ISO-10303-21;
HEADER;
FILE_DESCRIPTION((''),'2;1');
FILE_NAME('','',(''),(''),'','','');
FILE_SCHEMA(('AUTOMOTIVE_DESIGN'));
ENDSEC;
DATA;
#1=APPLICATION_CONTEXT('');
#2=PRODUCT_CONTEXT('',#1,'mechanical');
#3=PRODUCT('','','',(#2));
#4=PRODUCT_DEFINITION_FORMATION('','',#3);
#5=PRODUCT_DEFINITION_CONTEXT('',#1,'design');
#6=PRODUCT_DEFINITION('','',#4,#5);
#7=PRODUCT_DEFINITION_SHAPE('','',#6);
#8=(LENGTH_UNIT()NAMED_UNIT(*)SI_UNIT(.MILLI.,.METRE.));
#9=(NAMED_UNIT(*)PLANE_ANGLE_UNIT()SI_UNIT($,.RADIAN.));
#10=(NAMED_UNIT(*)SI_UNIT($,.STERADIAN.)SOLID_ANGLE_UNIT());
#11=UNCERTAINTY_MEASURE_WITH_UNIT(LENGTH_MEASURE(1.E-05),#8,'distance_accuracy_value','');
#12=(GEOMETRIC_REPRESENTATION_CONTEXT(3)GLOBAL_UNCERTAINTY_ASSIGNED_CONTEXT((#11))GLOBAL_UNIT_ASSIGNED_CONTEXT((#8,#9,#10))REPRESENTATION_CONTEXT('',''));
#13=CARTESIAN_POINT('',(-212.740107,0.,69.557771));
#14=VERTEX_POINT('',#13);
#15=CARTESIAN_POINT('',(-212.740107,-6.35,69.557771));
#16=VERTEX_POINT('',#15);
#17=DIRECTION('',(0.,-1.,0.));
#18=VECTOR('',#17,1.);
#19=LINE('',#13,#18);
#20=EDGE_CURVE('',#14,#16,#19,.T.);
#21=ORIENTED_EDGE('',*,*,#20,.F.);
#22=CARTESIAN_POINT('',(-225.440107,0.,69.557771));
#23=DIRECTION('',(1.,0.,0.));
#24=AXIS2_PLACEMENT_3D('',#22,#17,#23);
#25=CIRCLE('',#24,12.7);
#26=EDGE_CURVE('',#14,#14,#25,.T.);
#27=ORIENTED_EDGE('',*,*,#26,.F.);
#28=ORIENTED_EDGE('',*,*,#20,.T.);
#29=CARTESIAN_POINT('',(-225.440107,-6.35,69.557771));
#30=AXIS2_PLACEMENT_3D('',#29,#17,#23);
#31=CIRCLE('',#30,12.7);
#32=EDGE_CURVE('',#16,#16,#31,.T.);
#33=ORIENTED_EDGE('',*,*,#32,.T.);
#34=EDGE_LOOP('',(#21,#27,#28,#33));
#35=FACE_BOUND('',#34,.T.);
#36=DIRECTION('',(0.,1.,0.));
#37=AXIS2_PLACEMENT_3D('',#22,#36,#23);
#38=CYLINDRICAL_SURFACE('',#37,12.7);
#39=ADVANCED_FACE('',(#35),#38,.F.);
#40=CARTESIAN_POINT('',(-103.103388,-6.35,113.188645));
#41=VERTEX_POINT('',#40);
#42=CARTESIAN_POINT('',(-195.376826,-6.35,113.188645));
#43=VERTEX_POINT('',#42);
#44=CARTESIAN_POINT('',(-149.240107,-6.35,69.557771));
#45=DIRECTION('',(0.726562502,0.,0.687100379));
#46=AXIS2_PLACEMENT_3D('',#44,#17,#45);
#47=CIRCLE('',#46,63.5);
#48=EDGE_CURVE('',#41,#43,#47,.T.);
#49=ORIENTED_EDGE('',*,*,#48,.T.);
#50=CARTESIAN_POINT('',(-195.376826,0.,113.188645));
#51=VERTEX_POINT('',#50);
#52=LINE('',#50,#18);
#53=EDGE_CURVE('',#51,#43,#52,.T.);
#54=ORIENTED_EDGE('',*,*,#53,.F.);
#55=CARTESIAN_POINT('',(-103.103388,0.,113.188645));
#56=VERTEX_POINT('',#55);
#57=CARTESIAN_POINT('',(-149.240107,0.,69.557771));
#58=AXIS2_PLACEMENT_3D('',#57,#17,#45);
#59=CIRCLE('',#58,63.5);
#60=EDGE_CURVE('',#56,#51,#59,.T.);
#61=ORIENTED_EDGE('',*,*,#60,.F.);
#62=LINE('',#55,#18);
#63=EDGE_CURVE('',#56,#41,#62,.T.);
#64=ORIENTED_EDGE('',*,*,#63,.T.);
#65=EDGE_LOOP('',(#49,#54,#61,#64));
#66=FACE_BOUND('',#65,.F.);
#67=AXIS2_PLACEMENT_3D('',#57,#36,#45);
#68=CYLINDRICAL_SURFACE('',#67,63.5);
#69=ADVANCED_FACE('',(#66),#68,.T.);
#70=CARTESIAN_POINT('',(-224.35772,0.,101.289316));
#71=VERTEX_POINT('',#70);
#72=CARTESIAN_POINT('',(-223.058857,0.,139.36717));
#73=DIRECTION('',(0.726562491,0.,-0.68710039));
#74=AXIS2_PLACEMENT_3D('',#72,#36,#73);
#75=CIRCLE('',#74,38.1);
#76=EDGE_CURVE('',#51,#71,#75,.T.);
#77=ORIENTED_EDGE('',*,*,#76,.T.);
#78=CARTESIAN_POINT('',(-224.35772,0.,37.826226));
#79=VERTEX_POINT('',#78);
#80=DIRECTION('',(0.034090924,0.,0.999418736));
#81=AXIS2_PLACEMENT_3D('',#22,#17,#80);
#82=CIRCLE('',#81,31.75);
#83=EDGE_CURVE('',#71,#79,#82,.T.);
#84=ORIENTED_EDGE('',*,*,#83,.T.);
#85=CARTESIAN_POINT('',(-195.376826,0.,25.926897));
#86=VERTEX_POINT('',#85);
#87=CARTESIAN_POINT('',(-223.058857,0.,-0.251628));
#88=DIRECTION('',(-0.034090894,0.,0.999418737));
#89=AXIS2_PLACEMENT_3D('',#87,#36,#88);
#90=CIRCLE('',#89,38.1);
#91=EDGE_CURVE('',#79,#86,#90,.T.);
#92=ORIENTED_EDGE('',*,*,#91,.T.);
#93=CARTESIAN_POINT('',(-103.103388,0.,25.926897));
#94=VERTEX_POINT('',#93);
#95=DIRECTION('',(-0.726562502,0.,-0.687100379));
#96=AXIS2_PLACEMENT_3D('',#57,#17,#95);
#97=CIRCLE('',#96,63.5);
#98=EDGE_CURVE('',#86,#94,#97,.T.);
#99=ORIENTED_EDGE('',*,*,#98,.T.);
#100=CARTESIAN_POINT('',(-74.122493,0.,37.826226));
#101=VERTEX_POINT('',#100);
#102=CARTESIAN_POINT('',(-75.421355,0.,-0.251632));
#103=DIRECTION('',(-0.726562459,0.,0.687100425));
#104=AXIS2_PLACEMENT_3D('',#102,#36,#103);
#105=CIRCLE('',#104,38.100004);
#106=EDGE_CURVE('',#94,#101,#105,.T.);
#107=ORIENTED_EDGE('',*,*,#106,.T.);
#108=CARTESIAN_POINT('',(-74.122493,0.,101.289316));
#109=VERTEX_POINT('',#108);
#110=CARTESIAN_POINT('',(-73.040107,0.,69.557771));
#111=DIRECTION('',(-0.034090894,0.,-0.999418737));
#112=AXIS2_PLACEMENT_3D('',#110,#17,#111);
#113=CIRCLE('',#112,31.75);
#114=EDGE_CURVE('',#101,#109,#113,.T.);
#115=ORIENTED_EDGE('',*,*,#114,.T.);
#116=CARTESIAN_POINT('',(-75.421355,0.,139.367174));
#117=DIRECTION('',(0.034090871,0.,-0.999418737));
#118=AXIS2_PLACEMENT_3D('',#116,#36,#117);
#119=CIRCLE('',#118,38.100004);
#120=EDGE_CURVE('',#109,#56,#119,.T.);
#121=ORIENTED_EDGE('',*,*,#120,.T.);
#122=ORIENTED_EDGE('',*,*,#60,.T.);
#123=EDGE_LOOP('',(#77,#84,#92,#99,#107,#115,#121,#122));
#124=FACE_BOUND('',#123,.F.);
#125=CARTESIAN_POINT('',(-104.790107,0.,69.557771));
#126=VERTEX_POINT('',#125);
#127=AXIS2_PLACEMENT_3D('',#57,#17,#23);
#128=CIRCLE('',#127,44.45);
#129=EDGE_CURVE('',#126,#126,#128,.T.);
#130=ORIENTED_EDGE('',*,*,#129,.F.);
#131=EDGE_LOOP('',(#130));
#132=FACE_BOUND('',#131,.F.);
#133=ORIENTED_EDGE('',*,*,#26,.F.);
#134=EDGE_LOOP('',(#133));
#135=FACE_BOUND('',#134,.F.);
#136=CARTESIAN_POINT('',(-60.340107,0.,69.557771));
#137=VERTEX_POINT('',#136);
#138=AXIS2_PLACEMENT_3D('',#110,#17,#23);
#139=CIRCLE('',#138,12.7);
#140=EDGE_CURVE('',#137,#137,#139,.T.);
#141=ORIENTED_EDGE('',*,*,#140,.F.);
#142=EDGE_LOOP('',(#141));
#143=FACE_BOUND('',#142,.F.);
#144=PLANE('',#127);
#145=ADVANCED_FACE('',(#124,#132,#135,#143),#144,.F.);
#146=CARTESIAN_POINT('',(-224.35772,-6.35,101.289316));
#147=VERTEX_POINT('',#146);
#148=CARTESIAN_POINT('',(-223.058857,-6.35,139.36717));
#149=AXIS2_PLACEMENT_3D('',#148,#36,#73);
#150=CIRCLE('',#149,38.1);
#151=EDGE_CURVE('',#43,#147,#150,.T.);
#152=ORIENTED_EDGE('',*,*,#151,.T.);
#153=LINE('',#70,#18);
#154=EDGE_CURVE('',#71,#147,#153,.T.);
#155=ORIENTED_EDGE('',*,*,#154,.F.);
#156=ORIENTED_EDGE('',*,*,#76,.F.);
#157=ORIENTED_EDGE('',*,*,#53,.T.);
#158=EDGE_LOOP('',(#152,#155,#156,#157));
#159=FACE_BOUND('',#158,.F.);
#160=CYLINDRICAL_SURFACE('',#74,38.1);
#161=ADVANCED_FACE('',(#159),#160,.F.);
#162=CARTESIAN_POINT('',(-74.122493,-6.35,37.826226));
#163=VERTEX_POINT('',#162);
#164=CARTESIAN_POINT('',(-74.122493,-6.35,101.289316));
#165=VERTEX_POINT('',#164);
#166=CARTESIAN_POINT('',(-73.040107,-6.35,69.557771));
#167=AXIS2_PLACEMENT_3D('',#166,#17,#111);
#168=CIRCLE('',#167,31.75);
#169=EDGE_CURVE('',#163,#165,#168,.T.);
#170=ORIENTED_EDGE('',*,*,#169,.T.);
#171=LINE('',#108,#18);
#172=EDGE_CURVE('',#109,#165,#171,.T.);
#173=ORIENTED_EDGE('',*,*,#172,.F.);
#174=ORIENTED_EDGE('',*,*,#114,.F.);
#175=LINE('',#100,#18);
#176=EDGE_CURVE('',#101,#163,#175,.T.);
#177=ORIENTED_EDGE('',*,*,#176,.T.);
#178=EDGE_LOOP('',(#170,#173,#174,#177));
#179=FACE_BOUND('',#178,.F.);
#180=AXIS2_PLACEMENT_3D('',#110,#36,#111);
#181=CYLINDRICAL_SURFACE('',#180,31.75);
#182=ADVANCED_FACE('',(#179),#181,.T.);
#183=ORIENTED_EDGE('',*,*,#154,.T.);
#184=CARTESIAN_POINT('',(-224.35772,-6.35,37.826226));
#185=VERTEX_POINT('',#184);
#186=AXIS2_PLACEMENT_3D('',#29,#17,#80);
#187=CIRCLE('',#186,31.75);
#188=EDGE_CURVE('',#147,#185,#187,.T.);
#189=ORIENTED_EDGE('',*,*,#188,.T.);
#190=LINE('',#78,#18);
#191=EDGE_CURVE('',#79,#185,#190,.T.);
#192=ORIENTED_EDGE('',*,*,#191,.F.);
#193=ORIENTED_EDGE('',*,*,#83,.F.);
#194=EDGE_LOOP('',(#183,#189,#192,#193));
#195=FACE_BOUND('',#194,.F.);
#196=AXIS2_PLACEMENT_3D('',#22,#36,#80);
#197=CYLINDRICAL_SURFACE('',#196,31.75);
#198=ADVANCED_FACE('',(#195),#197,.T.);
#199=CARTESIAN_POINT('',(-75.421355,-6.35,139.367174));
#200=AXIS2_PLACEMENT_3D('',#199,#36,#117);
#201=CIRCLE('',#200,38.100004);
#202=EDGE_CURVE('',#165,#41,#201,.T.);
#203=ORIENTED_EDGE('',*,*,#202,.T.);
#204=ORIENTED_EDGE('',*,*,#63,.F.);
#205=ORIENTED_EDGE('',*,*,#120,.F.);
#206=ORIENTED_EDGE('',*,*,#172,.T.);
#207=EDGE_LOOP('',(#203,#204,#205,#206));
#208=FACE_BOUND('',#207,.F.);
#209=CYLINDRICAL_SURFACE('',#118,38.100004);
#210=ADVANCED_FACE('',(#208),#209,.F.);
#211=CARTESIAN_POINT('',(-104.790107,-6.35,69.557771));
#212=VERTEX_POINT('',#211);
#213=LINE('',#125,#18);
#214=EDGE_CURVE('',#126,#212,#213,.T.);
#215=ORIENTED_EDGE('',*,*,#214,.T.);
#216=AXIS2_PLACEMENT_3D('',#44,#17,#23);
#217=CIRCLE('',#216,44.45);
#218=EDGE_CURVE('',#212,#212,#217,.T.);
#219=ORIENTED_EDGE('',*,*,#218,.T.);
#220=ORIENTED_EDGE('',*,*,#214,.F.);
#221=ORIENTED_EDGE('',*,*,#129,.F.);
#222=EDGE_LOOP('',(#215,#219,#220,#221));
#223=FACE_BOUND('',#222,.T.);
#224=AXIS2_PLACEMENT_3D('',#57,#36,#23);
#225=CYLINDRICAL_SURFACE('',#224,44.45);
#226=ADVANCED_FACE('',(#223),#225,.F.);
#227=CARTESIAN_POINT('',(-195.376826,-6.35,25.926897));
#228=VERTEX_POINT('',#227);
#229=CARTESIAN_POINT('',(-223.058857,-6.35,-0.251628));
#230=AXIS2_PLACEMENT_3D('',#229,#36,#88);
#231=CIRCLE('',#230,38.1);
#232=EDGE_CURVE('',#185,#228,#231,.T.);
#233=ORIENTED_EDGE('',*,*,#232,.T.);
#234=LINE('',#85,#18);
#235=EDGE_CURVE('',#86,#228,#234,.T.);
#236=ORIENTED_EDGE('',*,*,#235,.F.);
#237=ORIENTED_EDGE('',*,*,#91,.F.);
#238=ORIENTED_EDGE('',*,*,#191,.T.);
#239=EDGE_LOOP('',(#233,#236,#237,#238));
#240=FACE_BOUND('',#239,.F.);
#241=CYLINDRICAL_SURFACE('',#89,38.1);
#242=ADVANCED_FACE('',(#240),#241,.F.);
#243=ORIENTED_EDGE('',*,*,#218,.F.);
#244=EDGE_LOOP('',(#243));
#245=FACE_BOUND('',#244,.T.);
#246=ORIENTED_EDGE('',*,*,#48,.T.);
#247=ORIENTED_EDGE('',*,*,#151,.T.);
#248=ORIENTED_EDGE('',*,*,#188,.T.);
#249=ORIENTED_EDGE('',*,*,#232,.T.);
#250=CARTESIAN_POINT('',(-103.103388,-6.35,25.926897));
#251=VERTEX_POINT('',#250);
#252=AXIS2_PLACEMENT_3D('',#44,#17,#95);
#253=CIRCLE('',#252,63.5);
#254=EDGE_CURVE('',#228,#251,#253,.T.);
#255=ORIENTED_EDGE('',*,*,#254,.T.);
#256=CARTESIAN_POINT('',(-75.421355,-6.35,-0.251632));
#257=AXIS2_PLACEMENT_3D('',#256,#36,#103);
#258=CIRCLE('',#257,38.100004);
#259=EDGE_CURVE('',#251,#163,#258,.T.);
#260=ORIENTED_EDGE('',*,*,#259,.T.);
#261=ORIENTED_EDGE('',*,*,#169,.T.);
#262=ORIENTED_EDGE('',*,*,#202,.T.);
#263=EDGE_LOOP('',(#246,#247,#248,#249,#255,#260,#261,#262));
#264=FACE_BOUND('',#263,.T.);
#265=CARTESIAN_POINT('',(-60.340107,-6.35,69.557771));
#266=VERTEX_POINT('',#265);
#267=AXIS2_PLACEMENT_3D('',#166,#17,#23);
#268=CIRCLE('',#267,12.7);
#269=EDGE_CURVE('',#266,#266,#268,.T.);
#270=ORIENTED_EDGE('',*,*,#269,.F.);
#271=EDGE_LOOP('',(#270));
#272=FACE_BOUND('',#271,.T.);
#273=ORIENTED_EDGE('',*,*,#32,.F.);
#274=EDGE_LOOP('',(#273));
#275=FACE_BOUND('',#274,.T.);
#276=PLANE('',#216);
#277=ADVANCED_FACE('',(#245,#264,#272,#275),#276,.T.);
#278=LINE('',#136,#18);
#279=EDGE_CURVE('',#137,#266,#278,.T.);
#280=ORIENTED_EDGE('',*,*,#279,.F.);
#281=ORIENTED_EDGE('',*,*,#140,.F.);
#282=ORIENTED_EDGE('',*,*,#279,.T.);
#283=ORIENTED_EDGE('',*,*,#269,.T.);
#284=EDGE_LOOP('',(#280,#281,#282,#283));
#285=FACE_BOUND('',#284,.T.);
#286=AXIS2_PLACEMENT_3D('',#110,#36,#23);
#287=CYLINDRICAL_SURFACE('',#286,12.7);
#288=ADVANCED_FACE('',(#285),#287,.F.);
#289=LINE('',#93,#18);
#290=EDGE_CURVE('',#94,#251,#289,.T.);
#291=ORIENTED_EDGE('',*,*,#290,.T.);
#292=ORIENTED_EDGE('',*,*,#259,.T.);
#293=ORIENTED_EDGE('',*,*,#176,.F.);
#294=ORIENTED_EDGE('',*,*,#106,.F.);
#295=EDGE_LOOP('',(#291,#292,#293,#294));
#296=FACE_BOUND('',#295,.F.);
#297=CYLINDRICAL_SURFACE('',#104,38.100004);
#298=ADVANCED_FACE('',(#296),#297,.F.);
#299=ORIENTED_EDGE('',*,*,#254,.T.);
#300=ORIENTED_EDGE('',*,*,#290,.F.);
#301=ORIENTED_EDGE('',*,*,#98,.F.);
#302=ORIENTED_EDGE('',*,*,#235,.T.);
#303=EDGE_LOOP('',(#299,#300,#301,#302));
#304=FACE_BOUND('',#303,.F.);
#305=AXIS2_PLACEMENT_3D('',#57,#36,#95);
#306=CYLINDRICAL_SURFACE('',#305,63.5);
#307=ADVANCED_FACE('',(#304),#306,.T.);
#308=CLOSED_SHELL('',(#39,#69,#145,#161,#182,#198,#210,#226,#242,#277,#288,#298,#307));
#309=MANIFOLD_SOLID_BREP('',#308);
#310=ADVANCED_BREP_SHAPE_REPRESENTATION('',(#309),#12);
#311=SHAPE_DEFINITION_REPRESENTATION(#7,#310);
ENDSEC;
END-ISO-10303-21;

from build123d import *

# Parameters (mm, degrees)
F0_R     = 12.7
F0_R_2   = 44.45
F1_DEPTH = 6.35


with BuildPart() as f1:
    # F0 (on Front) → F1 (new body)
    with BuildSketch(Plane.XZ):
        with BuildLine():
            ThreePointArc((-74.122493, 101.289316), (-89.892583, 104.122403), (-103.103388, 113.188645))
            ThreePointArc((-103.103388, 113.188645), (-149.240107, 133.057771), (-195.376826, 113.188645))
            ThreePointArc((-195.376826, 113.188645), (-208.58763, 104.122403), (-224.35772, 101.289316))
            ThreePointArc((-224.35772, 101.289316), (-257.190107, 69.557771), (-224.35772, 37.826226))
            ThreePointArc((-224.35772, 37.826226), (-208.58763, 34.993139), (-195.376826, 25.926897))
            ThreePointArc((-195.376826, 25.926897), (-149.240107, 6.057771), (-103.103388, 25.926897))
            ThreePointArc((-103.103388, 25.926897), (-89.892583, 34.993139), (-74.122493, 37.826226))
            ThreePointArc((-74.122493, 37.826226), (-41.290107, 69.557771), (-74.122493, 101.289316))
        make_face()
        with Locations((-225.440107, 69.557771)):
            Circle(F0_R, mode=Mode.SUBTRACT)
        with Locations((-149.240107, 69.557771)):
            Circle(F0_R_2, mode=Mode.SUBTRACT)
        with Locations((-73.040107, 69.557771)):
            Circle(F0_R, mode=Mode.SUBTRACT)
    extrude(amount=F1_DEPTH)


solid = f1.part
